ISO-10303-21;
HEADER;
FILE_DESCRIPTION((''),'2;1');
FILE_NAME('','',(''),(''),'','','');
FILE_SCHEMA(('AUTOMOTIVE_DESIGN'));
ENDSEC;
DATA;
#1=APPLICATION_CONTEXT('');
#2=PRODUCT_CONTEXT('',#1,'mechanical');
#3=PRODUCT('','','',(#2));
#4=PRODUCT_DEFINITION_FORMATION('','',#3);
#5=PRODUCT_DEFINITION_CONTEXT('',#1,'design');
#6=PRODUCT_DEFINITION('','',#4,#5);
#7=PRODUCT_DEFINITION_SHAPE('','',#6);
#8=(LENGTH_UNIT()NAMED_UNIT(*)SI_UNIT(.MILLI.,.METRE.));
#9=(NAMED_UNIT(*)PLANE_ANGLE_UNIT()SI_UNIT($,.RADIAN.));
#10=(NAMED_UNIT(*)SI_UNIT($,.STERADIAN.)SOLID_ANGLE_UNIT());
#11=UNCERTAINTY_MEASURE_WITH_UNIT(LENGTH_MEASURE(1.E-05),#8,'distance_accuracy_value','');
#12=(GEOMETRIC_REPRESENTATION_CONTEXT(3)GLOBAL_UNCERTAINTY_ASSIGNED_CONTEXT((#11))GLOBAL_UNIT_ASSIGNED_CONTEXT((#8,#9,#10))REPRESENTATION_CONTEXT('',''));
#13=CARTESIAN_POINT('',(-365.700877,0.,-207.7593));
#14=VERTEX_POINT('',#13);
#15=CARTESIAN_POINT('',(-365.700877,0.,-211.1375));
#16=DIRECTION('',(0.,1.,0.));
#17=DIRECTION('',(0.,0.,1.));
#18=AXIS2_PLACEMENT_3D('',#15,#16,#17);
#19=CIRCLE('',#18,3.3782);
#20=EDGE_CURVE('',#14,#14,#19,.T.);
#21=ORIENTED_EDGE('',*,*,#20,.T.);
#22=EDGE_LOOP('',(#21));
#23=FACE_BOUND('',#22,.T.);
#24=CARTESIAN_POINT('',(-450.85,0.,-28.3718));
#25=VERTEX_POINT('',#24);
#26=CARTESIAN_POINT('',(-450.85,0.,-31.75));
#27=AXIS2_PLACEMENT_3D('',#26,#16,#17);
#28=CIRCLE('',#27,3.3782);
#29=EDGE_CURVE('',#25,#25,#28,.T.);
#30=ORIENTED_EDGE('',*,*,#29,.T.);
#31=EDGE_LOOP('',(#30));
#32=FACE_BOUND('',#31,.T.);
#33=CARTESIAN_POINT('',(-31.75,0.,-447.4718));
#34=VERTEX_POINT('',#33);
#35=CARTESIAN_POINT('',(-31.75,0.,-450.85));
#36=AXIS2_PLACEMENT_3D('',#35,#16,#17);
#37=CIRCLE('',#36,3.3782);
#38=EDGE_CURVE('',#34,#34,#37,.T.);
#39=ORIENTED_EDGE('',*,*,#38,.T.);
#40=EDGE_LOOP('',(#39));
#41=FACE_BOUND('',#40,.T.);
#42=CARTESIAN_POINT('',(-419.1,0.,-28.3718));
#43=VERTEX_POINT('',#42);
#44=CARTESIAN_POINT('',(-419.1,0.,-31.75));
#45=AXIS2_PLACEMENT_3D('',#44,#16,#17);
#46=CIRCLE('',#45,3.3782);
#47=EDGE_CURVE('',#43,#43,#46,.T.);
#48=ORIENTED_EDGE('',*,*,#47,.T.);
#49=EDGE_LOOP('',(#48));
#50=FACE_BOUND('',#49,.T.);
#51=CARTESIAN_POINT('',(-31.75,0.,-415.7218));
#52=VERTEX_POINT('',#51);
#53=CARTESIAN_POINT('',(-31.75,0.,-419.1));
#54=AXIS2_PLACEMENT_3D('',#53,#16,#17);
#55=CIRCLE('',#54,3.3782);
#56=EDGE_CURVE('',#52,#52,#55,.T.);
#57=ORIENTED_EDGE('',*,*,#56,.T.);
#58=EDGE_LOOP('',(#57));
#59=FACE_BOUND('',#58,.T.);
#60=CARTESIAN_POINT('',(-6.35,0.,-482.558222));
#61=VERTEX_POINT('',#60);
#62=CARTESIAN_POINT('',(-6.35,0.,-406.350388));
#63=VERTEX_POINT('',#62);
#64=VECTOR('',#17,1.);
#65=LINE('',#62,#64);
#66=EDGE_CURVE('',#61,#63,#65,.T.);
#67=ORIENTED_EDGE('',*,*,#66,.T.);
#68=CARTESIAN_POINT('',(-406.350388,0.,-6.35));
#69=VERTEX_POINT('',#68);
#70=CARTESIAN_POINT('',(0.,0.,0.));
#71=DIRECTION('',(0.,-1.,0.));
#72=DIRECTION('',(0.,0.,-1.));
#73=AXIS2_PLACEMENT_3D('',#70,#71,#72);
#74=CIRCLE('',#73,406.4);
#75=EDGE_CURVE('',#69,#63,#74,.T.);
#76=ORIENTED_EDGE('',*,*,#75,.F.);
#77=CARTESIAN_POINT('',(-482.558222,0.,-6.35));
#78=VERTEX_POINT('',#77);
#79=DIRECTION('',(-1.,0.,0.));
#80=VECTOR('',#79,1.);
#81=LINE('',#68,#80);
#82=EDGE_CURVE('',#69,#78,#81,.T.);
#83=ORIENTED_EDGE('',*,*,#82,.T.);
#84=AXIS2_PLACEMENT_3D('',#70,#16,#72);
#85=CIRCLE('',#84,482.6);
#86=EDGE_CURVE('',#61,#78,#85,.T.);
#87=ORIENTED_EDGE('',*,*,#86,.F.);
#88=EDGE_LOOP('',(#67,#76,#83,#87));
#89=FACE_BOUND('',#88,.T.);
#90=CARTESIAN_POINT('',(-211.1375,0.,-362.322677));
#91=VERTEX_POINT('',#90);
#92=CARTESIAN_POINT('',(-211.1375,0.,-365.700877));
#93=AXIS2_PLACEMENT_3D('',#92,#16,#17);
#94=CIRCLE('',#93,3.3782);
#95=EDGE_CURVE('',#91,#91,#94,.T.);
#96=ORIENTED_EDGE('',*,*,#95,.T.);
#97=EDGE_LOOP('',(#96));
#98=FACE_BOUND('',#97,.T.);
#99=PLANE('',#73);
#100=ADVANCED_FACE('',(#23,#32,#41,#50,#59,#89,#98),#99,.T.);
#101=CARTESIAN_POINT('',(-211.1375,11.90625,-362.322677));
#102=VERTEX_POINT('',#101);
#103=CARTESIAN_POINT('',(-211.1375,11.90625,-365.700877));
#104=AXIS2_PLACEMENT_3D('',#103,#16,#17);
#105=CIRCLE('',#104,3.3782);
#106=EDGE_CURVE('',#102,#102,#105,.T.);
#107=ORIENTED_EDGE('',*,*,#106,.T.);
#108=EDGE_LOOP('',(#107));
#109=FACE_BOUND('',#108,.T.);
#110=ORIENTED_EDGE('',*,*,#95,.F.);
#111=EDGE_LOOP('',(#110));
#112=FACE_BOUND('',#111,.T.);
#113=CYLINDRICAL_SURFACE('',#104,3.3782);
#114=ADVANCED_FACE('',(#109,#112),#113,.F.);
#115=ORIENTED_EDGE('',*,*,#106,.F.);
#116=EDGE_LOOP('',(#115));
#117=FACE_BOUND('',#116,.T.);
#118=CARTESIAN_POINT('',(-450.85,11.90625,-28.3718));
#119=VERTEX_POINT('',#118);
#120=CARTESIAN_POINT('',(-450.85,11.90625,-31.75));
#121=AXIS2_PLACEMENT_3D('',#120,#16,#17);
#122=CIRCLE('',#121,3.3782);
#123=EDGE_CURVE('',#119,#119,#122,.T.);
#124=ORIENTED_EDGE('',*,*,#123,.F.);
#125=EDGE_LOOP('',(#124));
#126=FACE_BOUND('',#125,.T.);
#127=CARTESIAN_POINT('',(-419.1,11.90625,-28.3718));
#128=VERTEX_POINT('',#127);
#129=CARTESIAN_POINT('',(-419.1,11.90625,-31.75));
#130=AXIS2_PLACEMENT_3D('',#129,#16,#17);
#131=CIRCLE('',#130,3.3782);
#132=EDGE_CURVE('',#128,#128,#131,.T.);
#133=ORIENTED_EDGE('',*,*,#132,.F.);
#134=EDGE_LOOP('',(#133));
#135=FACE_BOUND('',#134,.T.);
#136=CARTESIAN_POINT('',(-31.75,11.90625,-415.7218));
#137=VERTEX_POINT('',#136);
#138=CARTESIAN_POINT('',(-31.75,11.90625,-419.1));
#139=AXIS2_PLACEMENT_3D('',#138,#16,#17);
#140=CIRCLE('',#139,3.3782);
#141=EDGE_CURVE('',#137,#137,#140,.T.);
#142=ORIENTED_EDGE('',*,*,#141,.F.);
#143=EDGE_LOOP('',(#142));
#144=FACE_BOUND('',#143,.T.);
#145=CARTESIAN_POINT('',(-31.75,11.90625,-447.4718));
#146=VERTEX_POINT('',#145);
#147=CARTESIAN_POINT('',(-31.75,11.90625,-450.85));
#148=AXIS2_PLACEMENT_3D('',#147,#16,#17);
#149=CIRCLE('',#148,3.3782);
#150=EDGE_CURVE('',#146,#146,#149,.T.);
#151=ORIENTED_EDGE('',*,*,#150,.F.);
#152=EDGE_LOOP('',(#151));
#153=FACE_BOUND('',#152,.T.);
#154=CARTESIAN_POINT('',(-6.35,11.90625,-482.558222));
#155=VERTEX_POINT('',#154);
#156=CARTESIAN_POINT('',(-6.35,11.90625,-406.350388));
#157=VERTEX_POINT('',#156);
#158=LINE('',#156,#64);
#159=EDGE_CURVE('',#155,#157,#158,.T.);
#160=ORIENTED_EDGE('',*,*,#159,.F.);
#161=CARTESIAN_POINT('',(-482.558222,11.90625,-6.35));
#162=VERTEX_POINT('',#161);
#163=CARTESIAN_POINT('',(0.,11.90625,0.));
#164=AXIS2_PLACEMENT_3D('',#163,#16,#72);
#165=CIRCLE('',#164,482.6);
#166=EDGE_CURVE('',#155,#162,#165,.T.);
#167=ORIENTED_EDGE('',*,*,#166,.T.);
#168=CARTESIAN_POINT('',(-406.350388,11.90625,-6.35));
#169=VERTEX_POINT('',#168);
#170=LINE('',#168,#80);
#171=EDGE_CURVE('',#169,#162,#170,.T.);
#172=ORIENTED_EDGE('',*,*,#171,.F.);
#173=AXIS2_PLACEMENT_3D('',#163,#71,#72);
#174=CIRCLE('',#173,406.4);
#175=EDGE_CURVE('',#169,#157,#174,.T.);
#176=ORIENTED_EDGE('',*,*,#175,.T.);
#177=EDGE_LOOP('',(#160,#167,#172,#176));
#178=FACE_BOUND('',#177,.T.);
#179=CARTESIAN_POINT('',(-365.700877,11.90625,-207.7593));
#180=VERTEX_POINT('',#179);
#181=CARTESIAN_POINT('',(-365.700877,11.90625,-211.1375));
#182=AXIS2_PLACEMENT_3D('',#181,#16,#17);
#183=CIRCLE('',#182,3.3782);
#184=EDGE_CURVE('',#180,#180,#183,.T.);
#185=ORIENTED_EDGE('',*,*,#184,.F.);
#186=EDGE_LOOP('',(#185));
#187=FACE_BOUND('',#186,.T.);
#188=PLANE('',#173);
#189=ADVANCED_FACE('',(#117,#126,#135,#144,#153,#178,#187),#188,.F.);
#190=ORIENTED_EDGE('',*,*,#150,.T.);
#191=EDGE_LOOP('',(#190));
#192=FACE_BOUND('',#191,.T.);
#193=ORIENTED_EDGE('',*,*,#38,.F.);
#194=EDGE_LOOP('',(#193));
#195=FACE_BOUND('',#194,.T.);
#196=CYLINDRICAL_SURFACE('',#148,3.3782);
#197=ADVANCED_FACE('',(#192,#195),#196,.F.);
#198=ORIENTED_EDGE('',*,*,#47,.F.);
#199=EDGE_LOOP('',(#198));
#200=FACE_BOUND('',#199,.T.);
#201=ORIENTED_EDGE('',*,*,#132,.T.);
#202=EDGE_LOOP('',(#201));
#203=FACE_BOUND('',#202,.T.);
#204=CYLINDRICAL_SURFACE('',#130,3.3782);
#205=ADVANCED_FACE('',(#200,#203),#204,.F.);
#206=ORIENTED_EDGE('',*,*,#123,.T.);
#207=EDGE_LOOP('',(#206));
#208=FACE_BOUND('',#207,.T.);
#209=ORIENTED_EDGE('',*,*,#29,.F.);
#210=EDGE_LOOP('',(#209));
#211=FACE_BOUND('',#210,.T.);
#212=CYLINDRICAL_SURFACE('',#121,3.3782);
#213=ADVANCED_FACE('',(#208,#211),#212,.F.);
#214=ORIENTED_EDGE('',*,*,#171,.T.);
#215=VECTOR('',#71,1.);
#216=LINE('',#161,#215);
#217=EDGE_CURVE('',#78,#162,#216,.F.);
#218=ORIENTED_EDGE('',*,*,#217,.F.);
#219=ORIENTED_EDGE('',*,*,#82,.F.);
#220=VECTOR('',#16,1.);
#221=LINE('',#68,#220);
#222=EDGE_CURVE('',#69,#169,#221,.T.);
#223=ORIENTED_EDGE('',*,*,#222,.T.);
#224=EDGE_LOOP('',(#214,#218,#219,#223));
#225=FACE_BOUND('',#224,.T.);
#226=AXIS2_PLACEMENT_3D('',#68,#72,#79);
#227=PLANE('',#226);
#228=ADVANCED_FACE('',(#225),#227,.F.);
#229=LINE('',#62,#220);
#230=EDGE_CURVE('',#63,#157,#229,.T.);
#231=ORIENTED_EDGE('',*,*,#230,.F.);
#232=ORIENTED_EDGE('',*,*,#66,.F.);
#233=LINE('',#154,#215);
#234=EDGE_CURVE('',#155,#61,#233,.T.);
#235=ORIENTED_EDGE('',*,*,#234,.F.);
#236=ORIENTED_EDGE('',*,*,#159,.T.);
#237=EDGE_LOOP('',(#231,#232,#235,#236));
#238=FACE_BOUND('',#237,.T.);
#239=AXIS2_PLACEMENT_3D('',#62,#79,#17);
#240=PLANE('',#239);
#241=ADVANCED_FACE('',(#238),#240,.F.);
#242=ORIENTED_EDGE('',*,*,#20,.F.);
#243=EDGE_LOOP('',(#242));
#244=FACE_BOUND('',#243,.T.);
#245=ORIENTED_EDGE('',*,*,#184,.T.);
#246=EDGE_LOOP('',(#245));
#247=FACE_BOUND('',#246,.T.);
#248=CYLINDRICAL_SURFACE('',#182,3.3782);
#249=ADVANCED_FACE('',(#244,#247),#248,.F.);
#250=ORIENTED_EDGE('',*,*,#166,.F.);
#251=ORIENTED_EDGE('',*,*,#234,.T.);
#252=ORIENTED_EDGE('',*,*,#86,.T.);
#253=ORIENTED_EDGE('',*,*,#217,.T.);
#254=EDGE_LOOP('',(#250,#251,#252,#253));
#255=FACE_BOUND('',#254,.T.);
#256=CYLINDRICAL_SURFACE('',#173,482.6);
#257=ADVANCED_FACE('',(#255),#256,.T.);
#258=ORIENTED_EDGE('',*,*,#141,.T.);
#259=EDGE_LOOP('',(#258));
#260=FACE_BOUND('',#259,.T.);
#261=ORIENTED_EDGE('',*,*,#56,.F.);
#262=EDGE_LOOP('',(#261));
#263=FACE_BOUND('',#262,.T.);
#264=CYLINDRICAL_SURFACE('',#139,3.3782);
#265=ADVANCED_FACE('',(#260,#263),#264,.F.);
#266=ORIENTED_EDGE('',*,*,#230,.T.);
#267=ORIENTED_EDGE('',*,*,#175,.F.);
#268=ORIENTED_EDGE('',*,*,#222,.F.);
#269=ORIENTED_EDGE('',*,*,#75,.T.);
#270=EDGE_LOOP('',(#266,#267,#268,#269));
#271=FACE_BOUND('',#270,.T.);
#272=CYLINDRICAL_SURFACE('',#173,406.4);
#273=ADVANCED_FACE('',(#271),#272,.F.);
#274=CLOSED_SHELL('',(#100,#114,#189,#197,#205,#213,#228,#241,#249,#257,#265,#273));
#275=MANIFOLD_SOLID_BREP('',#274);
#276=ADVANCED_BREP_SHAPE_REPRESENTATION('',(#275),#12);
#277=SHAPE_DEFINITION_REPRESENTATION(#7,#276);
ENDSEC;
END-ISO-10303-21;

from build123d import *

# Parameters (mm, degrees)
BOSS_EXTRUDE1_DEPTH     = 11.90625
SKETCH2_W               = 12.7
SKETCH2_H               = 38.149612403
SKETCH2_W_2             = 38.149612403
SKETCH2_H_2             = 12.7
CUT_EXTRUDE1_DEPTH      = 683.603309975
F_1_4_CLEARANCE_HOLE1_D = 6.7564
SKETCH8_W               = 482.6
SKETCH8_H               = 482.6
CUT_EXTRUDE4_DEPTH      = 683.603309975
SKETCH12_W              = 6.35
SKETCH12_H              = 76.249612403
SKETCH12_W_2            = 76.249612403
SKETCH12_H_2            = 6.35
CUT_EXTRUDE6_DEPTH      = 683.603309975


with BuildPart() as part:
    # Sketch1 → Boss-Extrude1 (new body)
    with BuildSketch(Plane(origin=(0, 0, 0), x_dir=(1, 0, 0), z_dir=(0, 1, 0))):
        with BuildLine():
            Line((-406.4, 0), (-482.6, 0))
            ThreePointArc((-482.6, 0), (0, 482.6), (482.6, 0))
            Line((482.6, 0), (406.4, 0))
            ThreePointArc((406.4, 0), (0, 406.4), (-406.4, 0))
        make_face()
    extrude(amount=BOSS_EXTRUDE1_DEPTH)

    # Sketch2 → Cut-Extrude1 (cut, through all)
    with BuildSketch(Plane(origin=(0, 11.90625, 0), x_dir=(1, 0, 0), z_dir=(0, 1, 0))):
        with Locations((0, 425.425193799)):
            Rectangle(SKETCH2_W, SKETCH2_H)
        with Locations((425.425193799, 0)):
            Rectangle(SKETCH2_W_2, SKETCH2_H_2)
        with Locations((0, -425.425193799)):
            Rectangle(SKETCH2_W, SKETCH2_H)
        with Locations((-425.425193799, 0)):
            Rectangle(SKETCH2_W_2, SKETCH2_H_2)
    extrude(amount=-CUT_EXTRUDE1_DEPTH, mode=Mode.SUBTRACT)

    # 1/4 Clearance Hole1 (through all)
    with Locations(Plane(origin=(0, 11.90625, 0), x_dir=(1, 0, 0), z_dir=(0, 1, 0))):
        with Locations((-365.700877383, 211.1375), (-31.75, 419.1), (-31.75, 450.85), (-419.1, 31.75), (-450.85, 31.75), (-211.1375, 365.700877383)):
            Hole(F_1_4_CLEARANCE_HOLE1_D / 2)

    # Sketch8 → Cut-Extrude4 (cut, through all)
    with BuildSketch(Plane(origin=(0, 11.90625, 0), x_dir=(1, 0, 0), z_dir=(0, 1, 0))):
        with Locations((241.3, 241.3)):
            Rectangle(SKETCH8_W, SKETCH8_H)
    extrude(amount=-CUT_EXTRUDE4_DEPTH, mode=Mode.SUBTRACT)

    # Sketch12 → Cut-Extrude6 (cut, through all)
    with BuildSketch(Plane(origin=(0, 11.90625, 0), x_dir=(1, 0, 0), z_dir=(0, 1, 0))):
        with Locations((-3.175, 444.475193799)):
            Rectangle(SKETCH12_W, SKETCH12_H)
        with Locations((-444.475193799, 3.175)):
            Rectangle(SKETCH12_W_2, SKETCH12_H_2)
    extrude(amount=-CUT_EXTRUDE6_DEPTH, mode=Mode.SUBTRACT)


solid = part.part
